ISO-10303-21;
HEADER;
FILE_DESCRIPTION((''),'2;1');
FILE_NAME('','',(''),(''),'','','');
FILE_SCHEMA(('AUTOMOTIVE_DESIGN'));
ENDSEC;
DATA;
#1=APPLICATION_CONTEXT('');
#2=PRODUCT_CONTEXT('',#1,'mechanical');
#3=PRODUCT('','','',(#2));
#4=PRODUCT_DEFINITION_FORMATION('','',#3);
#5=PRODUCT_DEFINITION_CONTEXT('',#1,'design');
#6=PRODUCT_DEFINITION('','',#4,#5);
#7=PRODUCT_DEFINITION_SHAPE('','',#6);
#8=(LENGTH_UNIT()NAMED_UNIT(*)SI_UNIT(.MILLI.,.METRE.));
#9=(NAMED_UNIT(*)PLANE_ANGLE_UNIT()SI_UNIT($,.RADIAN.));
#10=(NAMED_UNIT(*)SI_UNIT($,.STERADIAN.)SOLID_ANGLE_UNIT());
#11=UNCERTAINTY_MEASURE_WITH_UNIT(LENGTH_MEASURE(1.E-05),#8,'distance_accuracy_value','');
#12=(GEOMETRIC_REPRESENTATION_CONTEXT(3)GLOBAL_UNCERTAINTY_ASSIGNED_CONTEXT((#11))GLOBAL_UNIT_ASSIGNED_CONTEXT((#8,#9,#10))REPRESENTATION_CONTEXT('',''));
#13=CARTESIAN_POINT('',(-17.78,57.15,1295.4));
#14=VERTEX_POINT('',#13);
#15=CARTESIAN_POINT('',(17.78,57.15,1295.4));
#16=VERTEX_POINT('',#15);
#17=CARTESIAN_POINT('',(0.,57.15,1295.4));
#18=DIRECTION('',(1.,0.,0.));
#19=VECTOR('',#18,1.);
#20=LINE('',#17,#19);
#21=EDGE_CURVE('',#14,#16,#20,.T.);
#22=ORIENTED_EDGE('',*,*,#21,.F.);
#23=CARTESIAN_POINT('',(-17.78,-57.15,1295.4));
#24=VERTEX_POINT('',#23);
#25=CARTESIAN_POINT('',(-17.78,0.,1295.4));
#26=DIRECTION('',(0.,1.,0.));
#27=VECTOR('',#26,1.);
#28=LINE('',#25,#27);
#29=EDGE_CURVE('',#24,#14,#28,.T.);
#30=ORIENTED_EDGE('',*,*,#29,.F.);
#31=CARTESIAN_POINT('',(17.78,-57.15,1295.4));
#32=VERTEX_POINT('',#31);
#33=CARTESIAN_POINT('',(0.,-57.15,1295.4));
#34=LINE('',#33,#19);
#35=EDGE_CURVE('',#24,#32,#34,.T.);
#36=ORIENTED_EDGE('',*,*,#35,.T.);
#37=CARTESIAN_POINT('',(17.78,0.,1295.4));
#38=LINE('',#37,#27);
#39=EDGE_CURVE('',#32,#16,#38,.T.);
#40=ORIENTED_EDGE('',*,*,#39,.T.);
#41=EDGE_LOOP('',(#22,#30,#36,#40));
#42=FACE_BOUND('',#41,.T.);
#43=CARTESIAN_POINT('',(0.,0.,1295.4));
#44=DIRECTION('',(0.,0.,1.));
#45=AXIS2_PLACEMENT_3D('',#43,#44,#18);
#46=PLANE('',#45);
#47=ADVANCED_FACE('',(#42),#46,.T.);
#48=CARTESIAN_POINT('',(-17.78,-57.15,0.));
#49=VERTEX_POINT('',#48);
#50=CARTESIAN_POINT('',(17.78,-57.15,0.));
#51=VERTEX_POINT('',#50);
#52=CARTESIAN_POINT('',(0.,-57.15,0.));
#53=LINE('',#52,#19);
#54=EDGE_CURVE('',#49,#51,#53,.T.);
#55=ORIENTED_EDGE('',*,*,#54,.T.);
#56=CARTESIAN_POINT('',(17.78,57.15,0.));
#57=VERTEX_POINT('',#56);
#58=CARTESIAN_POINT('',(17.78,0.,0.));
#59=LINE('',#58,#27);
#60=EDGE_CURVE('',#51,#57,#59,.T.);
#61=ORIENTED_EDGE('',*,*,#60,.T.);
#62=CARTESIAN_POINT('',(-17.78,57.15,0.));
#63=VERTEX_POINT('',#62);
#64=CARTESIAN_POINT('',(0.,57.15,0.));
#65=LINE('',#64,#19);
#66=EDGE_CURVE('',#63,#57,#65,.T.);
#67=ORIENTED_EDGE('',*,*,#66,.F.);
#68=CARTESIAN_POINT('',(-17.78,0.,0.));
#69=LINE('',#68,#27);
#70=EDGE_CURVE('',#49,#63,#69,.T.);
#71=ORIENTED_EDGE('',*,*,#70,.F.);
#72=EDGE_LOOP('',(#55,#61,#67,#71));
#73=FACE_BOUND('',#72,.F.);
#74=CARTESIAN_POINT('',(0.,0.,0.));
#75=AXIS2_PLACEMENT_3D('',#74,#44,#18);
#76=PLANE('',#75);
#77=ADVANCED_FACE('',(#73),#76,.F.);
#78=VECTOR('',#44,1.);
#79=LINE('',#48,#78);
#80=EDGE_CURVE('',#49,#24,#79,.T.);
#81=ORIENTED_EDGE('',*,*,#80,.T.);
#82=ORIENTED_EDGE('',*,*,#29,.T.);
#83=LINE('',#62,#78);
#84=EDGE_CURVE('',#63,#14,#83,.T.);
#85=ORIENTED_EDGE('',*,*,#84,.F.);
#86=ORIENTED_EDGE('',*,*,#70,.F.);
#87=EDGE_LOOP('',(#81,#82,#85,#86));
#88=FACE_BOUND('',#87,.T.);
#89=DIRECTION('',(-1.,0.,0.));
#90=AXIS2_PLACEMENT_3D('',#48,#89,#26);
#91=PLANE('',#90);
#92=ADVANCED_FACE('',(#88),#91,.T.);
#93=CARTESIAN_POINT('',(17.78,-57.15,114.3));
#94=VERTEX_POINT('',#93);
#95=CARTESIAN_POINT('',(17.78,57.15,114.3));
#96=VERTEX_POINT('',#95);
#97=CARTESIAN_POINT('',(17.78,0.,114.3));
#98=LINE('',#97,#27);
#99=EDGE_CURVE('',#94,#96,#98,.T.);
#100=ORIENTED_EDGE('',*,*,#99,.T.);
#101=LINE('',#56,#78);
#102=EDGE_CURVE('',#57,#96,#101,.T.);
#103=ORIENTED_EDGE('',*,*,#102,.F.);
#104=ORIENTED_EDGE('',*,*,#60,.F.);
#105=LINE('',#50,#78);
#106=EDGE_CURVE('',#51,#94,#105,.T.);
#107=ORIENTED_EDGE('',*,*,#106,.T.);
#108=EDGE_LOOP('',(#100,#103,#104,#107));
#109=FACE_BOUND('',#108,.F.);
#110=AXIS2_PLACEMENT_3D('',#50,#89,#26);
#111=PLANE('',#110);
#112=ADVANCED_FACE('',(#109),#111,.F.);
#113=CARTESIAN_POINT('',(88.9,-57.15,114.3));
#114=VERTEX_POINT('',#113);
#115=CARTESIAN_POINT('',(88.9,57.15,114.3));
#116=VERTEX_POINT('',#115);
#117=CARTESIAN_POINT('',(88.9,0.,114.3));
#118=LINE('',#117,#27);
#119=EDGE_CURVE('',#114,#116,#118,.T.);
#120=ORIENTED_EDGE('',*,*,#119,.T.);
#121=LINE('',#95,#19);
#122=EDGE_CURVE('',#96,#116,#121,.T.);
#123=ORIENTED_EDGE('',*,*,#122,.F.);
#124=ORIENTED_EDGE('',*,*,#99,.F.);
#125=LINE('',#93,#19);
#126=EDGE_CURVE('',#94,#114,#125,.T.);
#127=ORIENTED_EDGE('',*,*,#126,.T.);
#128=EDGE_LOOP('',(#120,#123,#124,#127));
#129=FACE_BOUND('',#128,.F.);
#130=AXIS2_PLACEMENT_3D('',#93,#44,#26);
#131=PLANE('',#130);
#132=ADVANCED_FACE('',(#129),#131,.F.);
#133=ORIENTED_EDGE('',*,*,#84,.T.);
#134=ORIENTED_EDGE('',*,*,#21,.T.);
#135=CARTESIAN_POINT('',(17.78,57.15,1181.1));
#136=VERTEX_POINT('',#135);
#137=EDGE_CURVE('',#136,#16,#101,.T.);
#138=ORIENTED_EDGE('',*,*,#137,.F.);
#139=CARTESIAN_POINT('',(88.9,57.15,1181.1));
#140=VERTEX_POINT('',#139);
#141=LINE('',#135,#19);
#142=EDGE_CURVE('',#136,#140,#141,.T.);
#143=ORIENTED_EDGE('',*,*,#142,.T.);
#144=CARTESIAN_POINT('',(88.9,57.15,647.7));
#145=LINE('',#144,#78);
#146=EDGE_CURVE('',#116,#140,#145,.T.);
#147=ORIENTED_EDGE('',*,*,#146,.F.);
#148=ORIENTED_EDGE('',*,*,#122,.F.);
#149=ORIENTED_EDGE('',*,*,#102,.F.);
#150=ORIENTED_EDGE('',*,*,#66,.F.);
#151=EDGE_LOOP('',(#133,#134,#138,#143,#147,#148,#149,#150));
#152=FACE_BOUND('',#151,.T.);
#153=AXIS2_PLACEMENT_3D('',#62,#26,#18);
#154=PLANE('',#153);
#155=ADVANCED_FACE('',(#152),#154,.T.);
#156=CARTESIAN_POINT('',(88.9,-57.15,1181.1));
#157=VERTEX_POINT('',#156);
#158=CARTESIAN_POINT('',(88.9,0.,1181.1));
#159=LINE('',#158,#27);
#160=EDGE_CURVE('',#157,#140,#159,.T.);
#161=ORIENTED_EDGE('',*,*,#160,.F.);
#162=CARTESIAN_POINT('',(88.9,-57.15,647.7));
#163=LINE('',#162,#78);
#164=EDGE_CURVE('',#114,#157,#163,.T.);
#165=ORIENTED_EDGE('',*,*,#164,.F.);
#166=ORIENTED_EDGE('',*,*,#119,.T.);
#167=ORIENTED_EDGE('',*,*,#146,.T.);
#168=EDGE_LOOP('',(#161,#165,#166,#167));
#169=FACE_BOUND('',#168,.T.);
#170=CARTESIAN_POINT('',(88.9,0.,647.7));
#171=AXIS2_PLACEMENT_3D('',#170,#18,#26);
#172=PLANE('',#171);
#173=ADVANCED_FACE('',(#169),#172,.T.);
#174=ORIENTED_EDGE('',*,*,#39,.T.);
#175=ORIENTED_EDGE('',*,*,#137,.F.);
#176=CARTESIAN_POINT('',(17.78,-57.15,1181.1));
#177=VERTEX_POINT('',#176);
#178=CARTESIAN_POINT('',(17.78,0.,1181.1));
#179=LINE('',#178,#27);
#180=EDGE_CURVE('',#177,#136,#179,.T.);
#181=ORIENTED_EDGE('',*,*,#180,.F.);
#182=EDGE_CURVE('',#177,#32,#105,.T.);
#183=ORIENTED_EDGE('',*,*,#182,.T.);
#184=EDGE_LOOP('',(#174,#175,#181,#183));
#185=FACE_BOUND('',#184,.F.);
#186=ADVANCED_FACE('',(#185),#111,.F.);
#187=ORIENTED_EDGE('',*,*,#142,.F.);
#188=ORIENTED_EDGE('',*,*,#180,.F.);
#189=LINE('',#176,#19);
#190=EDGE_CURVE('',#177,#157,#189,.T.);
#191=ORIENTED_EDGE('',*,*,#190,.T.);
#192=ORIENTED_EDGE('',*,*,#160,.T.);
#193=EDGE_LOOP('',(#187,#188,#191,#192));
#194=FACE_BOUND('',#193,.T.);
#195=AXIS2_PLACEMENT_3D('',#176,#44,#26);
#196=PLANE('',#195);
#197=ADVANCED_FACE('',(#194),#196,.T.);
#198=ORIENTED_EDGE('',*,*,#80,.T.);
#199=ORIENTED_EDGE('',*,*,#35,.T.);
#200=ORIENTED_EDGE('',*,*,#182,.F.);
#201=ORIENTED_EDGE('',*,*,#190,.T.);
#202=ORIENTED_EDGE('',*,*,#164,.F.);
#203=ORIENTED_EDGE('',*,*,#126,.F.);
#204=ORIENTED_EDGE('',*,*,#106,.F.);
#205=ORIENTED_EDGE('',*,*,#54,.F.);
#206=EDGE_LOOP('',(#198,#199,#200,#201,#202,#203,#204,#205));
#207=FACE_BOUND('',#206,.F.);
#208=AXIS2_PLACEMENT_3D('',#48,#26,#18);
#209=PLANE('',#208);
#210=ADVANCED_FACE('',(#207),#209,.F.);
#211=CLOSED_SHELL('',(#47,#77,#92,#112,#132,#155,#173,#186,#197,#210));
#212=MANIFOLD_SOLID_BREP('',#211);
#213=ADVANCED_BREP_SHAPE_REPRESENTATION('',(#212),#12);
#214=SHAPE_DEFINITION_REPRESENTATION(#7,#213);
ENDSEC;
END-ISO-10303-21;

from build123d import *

# Parameters (mm, degrees)
F0_W     = 35.56
F0_H     = 114.3
F1_DEPTH = 1295.4
F2_W     = 114.3
F2_H     = 1066.8
F3_DEPTH = 71.12


with BuildPart() as f1:
    # F0 (on Top) → F1 (new body)
    with BuildSketch(Plane.XY):
        Rectangle(F0_W, F0_H)
    extrude(amount=F1_DEPTH)

    # F2 (on face) → F3 (join)
    with BuildSketch(Plane.YZ.offset(17.78)):
        with Locations((0, 647.7)):
            Rectangle(F2_W, F2_H)
    extrude(amount=F3_DEPTH)


solid = f1.part
